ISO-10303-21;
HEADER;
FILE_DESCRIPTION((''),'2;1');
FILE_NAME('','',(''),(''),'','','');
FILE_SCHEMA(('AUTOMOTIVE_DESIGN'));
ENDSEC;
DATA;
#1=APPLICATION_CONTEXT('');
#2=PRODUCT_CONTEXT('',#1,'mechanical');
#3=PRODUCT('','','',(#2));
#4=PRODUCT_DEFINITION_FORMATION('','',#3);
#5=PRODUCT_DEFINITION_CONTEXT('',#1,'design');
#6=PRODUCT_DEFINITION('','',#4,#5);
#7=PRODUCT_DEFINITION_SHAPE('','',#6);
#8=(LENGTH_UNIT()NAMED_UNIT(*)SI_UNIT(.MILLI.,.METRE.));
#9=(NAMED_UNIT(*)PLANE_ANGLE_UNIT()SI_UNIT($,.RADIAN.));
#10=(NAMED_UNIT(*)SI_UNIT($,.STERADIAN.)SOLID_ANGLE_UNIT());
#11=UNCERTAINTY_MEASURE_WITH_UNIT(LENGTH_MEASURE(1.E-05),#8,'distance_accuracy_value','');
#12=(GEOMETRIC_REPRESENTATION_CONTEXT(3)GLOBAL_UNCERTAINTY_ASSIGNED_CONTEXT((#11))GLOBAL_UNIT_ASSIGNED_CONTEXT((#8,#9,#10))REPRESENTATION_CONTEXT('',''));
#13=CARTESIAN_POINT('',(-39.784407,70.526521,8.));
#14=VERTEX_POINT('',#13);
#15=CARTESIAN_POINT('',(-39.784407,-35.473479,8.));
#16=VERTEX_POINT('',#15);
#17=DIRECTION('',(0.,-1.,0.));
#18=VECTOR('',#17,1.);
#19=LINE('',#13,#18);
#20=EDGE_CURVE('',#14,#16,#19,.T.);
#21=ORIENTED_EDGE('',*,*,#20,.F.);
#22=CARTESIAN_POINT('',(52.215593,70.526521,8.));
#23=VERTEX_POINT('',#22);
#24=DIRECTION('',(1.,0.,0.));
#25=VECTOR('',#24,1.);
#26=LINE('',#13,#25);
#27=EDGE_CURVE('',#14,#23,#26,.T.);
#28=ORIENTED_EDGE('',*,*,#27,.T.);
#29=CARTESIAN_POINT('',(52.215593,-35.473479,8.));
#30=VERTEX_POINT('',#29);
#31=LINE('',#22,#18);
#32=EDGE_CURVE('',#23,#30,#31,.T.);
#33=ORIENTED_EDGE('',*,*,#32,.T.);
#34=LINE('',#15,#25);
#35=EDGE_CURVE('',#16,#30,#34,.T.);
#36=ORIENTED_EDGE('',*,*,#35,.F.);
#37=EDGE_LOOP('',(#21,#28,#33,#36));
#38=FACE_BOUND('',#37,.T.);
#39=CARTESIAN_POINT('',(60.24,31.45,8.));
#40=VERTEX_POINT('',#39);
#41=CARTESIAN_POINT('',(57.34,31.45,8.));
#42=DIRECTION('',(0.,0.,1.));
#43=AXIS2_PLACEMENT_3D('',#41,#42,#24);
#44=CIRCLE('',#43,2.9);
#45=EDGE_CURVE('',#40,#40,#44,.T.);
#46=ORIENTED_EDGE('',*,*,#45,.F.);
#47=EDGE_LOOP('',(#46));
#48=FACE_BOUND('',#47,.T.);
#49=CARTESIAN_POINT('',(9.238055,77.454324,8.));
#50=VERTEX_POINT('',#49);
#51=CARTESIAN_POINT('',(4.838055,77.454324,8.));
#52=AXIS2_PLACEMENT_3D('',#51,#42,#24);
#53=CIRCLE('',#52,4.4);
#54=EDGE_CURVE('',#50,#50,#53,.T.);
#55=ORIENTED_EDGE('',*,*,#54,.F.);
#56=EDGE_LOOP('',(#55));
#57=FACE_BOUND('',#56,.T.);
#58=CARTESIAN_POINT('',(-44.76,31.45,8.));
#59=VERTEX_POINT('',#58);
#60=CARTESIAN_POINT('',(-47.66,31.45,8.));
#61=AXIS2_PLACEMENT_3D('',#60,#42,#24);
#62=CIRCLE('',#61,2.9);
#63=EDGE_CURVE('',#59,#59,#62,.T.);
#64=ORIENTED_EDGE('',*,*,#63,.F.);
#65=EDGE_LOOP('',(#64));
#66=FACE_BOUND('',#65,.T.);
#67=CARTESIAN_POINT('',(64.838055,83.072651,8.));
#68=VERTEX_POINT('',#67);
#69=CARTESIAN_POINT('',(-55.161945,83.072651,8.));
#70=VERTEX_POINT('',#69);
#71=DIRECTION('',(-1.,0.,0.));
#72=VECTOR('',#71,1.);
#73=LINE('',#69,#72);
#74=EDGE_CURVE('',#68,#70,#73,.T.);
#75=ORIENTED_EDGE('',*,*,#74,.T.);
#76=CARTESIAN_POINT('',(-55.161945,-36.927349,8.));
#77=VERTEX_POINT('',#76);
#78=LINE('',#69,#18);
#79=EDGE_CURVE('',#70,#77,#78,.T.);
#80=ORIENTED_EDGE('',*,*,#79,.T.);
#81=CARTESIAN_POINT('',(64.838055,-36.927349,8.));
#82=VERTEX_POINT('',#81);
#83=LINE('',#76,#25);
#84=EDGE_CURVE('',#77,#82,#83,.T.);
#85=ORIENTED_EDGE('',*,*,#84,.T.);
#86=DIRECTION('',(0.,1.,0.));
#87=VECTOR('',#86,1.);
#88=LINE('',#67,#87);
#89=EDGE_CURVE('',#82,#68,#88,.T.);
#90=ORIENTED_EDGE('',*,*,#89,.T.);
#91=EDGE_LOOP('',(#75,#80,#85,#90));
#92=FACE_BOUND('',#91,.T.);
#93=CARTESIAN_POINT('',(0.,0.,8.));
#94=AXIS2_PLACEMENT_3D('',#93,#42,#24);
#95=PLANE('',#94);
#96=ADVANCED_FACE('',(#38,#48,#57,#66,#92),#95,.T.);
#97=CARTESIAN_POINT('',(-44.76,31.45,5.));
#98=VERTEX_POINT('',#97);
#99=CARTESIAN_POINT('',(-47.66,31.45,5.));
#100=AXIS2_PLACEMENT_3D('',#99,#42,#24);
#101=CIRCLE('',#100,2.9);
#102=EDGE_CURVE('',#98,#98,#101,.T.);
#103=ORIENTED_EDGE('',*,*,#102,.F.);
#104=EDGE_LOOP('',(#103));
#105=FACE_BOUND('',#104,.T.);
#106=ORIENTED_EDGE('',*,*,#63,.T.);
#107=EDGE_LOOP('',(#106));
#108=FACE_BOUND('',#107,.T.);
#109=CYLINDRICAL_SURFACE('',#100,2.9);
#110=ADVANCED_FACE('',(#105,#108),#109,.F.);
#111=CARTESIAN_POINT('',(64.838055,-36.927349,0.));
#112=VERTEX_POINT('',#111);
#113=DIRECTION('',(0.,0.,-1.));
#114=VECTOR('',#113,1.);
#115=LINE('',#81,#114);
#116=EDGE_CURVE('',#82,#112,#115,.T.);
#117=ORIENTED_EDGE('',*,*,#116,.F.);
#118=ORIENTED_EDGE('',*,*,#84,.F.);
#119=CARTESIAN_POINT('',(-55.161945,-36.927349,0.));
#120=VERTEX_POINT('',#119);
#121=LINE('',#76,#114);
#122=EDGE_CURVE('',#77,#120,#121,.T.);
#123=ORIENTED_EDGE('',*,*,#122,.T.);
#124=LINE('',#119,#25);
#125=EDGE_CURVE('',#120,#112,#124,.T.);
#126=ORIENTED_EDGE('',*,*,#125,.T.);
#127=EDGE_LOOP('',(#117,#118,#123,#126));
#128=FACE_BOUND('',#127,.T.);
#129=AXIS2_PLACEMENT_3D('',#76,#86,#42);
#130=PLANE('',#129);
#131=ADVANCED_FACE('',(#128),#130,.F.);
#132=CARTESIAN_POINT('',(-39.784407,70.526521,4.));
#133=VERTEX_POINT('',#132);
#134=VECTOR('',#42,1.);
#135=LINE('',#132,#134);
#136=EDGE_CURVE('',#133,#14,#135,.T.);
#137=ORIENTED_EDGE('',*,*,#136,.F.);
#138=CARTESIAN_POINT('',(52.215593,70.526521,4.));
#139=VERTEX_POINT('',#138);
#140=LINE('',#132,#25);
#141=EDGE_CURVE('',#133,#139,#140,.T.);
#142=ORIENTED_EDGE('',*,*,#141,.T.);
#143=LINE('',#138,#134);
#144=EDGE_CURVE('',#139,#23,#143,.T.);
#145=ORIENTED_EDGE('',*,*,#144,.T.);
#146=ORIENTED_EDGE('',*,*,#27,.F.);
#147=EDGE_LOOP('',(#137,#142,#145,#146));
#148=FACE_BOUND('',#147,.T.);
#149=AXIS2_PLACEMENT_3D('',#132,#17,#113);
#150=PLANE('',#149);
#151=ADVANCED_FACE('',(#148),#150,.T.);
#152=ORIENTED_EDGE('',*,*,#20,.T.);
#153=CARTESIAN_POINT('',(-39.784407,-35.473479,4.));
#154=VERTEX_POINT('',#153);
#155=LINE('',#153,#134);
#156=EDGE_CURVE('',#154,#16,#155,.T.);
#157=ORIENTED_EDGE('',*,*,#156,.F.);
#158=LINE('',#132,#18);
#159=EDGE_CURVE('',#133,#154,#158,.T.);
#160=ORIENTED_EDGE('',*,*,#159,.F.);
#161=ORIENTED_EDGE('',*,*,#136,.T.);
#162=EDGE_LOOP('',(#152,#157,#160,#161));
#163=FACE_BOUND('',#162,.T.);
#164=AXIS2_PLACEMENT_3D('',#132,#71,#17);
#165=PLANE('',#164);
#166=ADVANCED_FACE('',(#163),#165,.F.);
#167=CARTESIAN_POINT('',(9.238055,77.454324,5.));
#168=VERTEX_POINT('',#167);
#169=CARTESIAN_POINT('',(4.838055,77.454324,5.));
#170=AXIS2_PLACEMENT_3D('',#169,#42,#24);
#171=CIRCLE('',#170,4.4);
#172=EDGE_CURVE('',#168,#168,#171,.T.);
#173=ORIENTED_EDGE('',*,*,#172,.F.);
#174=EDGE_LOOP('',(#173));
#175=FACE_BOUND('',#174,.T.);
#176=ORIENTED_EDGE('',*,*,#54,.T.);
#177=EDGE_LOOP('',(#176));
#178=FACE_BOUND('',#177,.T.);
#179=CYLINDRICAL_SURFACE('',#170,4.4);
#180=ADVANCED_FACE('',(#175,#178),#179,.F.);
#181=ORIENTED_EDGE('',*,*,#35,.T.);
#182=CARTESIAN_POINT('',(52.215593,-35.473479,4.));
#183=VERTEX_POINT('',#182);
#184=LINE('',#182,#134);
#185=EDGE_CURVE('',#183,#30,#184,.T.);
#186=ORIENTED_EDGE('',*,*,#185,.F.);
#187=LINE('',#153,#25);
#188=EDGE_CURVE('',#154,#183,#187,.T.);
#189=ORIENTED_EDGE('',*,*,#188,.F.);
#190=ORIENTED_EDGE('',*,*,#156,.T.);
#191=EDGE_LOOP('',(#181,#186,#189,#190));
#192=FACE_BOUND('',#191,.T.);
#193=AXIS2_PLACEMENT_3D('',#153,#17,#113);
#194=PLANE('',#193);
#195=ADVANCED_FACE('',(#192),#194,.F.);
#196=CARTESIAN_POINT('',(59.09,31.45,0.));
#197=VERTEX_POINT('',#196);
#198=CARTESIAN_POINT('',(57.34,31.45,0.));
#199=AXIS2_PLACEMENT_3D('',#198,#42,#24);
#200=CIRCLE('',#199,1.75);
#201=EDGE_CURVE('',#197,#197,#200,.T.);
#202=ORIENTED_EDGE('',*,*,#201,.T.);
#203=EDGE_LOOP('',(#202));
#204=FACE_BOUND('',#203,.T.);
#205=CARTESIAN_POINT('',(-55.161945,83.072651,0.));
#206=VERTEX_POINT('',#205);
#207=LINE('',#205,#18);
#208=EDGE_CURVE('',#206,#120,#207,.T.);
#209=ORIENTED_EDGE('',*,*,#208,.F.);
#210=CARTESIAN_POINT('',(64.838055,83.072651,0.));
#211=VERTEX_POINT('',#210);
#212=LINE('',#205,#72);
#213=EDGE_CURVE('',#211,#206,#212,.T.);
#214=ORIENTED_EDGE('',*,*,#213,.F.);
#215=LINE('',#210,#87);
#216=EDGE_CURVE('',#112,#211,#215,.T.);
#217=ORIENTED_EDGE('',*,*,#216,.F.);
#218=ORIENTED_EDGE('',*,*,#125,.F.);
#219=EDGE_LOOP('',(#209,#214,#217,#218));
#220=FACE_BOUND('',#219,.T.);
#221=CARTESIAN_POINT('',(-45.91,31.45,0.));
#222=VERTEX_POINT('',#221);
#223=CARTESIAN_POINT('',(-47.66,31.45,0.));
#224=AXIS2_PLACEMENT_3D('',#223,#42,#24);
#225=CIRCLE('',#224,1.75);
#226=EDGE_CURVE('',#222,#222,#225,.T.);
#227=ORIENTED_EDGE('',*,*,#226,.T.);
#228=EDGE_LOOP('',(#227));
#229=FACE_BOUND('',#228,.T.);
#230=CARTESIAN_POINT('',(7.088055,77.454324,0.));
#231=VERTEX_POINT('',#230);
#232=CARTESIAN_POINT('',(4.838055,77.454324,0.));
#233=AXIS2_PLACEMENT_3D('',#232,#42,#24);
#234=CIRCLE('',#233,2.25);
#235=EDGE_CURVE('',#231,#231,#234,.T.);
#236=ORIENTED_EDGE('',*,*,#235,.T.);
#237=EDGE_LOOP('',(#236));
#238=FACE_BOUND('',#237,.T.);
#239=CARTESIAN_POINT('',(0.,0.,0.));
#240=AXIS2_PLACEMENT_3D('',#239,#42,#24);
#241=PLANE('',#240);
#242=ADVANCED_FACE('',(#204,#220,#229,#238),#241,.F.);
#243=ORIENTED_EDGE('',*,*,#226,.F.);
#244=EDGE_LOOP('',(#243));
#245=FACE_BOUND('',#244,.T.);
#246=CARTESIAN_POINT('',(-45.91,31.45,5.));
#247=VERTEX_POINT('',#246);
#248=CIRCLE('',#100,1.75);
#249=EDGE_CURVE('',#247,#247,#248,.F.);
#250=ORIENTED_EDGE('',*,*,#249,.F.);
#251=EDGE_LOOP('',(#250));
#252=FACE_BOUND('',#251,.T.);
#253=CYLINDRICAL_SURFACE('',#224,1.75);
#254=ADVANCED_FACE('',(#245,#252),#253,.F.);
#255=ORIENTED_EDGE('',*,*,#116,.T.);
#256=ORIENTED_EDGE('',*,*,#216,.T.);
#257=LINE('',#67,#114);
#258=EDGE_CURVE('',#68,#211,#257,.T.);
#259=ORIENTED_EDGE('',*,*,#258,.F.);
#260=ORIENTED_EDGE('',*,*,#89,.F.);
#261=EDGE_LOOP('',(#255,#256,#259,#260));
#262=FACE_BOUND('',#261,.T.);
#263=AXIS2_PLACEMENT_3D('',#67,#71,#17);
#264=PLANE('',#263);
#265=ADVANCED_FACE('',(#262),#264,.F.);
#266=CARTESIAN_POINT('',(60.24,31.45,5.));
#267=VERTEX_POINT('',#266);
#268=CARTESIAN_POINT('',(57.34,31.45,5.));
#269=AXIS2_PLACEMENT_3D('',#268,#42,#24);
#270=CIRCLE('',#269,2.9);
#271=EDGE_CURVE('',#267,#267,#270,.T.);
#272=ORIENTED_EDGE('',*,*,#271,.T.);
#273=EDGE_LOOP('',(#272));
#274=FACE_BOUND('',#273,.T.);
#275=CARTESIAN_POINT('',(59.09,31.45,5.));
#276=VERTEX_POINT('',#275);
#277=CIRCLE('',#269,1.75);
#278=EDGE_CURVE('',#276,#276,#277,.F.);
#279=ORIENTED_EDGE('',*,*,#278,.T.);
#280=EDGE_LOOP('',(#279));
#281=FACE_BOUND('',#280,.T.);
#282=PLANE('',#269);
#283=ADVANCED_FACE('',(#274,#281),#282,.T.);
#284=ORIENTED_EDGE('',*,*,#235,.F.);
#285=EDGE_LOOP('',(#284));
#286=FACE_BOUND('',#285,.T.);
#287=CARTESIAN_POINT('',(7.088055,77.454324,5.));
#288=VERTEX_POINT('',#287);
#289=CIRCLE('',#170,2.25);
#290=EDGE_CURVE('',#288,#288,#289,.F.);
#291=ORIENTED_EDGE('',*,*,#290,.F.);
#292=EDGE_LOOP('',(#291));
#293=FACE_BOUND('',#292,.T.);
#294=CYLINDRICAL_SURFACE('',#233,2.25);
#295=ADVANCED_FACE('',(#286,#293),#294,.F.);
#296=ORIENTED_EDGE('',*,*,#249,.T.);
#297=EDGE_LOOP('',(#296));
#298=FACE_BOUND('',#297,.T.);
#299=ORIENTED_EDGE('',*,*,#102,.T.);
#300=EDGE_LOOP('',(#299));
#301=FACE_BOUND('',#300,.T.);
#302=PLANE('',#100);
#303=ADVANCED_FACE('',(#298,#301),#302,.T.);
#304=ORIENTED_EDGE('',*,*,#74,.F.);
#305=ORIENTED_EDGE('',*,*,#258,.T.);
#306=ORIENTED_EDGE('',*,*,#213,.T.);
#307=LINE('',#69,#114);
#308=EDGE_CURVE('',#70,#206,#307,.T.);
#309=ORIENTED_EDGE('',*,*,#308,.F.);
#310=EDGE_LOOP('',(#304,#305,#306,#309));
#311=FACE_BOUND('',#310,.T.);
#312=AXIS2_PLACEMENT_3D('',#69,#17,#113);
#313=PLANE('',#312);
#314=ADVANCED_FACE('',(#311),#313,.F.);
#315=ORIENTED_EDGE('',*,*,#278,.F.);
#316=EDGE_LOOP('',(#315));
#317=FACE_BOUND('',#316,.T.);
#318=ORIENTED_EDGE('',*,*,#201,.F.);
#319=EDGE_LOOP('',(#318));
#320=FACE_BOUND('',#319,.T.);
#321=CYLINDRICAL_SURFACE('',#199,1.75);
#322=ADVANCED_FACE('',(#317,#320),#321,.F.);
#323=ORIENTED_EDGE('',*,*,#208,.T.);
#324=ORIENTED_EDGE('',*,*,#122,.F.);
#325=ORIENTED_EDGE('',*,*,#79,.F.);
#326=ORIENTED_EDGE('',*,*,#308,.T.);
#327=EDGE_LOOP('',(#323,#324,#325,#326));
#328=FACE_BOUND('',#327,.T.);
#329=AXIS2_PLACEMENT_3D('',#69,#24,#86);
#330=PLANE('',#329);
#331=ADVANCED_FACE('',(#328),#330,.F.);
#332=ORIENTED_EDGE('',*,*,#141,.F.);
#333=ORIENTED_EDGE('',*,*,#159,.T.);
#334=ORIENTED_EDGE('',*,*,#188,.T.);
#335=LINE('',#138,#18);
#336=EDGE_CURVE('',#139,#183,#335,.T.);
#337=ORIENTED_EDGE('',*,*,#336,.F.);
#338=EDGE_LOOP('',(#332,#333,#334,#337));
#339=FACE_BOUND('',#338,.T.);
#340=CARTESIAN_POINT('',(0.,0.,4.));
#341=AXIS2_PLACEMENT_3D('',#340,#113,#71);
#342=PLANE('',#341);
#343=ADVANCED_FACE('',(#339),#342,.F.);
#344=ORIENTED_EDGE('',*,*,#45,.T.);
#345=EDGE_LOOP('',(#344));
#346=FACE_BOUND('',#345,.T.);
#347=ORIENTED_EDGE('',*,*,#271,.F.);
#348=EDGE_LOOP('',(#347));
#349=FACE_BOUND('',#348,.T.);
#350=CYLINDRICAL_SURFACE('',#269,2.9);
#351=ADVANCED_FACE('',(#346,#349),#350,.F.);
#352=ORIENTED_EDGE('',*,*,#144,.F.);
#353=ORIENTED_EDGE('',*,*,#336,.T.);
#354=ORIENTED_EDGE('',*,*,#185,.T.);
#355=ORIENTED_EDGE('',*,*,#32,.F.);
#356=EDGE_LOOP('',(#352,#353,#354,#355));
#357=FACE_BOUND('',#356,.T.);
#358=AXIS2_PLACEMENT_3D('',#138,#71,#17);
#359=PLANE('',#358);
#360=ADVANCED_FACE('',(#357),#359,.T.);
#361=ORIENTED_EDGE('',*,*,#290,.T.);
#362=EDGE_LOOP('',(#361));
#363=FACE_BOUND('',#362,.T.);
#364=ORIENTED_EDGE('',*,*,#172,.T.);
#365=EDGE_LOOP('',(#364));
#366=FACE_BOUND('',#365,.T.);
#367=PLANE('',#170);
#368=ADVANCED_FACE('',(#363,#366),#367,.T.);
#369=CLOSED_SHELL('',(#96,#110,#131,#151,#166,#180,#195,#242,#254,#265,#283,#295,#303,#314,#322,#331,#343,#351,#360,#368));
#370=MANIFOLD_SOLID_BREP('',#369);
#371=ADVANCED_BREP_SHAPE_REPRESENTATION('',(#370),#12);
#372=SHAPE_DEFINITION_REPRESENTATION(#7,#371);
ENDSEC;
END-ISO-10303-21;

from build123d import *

# Parameters (mm, degrees)
SKETCH_1_W          = 120
SKETCH_1_H          = 120
EXTRUDE_1_DEPTH     = 8
SKETCH_3_R          = 2.25
CUT_EXTRUDE_1_DEPTH = 8
SKETCH_4_R          = 4.4
CUT_EXTRUDE_2_DEPTH = 3
SKETCH_5_R          = 1.75
CUT_EXTRUDE_3_DEPTH = 8
SKETCH_6_R          = 2.9
CUT_EXTRUDE_4_DEPTH = 3
SKETCH_7_R          = 1.75
CUT_EXTRUDE_5_DEPTH = 8
SKETCH_8_R          = 2.9
CUT_EXTRUDE_6_DEPTH = 3
SKETCH_9_W          = 92
SKETCH_9_H          = 106
CUT_EXTRUDE_7_DEPTH = 4


with BuildPart() as part:
    # 草图1 → 凸台-拉伸1 (new body)
    with BuildSketch(Plane.XY):
        with Locations((4.838054616, 23.07265118)):
            Rectangle(SKETCH_1_W, SKETCH_1_H)
    extrude(amount=EXTRUDE_1_DEPTH)

    # 草图3 → 切除-拉伸1 (cut)
    with BuildSketch(Plane.XY.offset(8)):
        with Locations((4.838054616, 77.454324244)):
            Circle(SKETCH_3_R)
    extrude(amount=-CUT_EXTRUDE_1_DEPTH, mode=Mode.SUBTRACT)

    # 草图4 → 切除-拉伸2 (cut)
    with BuildSketch(Plane.XY.offset(8)):
        with Locations((4.838054616, 77.454324244)):
            Circle(SKETCH_4_R)
    extrude(amount=-CUT_EXTRUDE_2_DEPTH, mode=Mode.SUBTRACT)

    # 草图5 → 切除-拉伸3 (cut)
    with BuildSketch(Plane.XY.offset(8)):
        with Locations((57.34, 31.45)):
            Circle(SKETCH_5_R)
    extrude(amount=-CUT_EXTRUDE_3_DEPTH, mode=Mode.SUBTRACT)

    # 草图6 → 切除-拉伸4 (cut)
    with BuildSketch(Plane.XY.offset(8)):
        with Locations((57.34, 31.45)):
            Circle(SKETCH_6_R)
    extrude(amount=-CUT_EXTRUDE_4_DEPTH, mode=Mode.SUBTRACT)

    # 草图7 → 切除-拉伸5 (cut)
    with BuildSketch(Plane.XY.offset(8)):
        with Locations((-47.66, 31.45)):
            Circle(SKETCH_7_R)
    extrude(amount=-CUT_EXTRUDE_5_DEPTH, mode=Mode.SUBTRACT)

    # 草图8 → 切除-拉伸6 (cut)
    with BuildSketch(Plane.XY.offset(8)):
        with Locations((-47.66, 31.45)):
            Circle(SKETCH_8_R)
    extrude(amount=-CUT_EXTRUDE_6_DEPTH, mode=Mode.SUBTRACT)

    # 草图9 → 切除-拉伸7 (cut)
    with BuildSketch(Plane.XY.offset(8)):
        with Locations((6.215593236, 17.526521265)):
            Rectangle(SKETCH_9_W, SKETCH_9_H)
    extrude(amount=-CUT_EXTRUDE_7_DEPTH, mode=Mode.SUBTRACT)


solid = part.part
